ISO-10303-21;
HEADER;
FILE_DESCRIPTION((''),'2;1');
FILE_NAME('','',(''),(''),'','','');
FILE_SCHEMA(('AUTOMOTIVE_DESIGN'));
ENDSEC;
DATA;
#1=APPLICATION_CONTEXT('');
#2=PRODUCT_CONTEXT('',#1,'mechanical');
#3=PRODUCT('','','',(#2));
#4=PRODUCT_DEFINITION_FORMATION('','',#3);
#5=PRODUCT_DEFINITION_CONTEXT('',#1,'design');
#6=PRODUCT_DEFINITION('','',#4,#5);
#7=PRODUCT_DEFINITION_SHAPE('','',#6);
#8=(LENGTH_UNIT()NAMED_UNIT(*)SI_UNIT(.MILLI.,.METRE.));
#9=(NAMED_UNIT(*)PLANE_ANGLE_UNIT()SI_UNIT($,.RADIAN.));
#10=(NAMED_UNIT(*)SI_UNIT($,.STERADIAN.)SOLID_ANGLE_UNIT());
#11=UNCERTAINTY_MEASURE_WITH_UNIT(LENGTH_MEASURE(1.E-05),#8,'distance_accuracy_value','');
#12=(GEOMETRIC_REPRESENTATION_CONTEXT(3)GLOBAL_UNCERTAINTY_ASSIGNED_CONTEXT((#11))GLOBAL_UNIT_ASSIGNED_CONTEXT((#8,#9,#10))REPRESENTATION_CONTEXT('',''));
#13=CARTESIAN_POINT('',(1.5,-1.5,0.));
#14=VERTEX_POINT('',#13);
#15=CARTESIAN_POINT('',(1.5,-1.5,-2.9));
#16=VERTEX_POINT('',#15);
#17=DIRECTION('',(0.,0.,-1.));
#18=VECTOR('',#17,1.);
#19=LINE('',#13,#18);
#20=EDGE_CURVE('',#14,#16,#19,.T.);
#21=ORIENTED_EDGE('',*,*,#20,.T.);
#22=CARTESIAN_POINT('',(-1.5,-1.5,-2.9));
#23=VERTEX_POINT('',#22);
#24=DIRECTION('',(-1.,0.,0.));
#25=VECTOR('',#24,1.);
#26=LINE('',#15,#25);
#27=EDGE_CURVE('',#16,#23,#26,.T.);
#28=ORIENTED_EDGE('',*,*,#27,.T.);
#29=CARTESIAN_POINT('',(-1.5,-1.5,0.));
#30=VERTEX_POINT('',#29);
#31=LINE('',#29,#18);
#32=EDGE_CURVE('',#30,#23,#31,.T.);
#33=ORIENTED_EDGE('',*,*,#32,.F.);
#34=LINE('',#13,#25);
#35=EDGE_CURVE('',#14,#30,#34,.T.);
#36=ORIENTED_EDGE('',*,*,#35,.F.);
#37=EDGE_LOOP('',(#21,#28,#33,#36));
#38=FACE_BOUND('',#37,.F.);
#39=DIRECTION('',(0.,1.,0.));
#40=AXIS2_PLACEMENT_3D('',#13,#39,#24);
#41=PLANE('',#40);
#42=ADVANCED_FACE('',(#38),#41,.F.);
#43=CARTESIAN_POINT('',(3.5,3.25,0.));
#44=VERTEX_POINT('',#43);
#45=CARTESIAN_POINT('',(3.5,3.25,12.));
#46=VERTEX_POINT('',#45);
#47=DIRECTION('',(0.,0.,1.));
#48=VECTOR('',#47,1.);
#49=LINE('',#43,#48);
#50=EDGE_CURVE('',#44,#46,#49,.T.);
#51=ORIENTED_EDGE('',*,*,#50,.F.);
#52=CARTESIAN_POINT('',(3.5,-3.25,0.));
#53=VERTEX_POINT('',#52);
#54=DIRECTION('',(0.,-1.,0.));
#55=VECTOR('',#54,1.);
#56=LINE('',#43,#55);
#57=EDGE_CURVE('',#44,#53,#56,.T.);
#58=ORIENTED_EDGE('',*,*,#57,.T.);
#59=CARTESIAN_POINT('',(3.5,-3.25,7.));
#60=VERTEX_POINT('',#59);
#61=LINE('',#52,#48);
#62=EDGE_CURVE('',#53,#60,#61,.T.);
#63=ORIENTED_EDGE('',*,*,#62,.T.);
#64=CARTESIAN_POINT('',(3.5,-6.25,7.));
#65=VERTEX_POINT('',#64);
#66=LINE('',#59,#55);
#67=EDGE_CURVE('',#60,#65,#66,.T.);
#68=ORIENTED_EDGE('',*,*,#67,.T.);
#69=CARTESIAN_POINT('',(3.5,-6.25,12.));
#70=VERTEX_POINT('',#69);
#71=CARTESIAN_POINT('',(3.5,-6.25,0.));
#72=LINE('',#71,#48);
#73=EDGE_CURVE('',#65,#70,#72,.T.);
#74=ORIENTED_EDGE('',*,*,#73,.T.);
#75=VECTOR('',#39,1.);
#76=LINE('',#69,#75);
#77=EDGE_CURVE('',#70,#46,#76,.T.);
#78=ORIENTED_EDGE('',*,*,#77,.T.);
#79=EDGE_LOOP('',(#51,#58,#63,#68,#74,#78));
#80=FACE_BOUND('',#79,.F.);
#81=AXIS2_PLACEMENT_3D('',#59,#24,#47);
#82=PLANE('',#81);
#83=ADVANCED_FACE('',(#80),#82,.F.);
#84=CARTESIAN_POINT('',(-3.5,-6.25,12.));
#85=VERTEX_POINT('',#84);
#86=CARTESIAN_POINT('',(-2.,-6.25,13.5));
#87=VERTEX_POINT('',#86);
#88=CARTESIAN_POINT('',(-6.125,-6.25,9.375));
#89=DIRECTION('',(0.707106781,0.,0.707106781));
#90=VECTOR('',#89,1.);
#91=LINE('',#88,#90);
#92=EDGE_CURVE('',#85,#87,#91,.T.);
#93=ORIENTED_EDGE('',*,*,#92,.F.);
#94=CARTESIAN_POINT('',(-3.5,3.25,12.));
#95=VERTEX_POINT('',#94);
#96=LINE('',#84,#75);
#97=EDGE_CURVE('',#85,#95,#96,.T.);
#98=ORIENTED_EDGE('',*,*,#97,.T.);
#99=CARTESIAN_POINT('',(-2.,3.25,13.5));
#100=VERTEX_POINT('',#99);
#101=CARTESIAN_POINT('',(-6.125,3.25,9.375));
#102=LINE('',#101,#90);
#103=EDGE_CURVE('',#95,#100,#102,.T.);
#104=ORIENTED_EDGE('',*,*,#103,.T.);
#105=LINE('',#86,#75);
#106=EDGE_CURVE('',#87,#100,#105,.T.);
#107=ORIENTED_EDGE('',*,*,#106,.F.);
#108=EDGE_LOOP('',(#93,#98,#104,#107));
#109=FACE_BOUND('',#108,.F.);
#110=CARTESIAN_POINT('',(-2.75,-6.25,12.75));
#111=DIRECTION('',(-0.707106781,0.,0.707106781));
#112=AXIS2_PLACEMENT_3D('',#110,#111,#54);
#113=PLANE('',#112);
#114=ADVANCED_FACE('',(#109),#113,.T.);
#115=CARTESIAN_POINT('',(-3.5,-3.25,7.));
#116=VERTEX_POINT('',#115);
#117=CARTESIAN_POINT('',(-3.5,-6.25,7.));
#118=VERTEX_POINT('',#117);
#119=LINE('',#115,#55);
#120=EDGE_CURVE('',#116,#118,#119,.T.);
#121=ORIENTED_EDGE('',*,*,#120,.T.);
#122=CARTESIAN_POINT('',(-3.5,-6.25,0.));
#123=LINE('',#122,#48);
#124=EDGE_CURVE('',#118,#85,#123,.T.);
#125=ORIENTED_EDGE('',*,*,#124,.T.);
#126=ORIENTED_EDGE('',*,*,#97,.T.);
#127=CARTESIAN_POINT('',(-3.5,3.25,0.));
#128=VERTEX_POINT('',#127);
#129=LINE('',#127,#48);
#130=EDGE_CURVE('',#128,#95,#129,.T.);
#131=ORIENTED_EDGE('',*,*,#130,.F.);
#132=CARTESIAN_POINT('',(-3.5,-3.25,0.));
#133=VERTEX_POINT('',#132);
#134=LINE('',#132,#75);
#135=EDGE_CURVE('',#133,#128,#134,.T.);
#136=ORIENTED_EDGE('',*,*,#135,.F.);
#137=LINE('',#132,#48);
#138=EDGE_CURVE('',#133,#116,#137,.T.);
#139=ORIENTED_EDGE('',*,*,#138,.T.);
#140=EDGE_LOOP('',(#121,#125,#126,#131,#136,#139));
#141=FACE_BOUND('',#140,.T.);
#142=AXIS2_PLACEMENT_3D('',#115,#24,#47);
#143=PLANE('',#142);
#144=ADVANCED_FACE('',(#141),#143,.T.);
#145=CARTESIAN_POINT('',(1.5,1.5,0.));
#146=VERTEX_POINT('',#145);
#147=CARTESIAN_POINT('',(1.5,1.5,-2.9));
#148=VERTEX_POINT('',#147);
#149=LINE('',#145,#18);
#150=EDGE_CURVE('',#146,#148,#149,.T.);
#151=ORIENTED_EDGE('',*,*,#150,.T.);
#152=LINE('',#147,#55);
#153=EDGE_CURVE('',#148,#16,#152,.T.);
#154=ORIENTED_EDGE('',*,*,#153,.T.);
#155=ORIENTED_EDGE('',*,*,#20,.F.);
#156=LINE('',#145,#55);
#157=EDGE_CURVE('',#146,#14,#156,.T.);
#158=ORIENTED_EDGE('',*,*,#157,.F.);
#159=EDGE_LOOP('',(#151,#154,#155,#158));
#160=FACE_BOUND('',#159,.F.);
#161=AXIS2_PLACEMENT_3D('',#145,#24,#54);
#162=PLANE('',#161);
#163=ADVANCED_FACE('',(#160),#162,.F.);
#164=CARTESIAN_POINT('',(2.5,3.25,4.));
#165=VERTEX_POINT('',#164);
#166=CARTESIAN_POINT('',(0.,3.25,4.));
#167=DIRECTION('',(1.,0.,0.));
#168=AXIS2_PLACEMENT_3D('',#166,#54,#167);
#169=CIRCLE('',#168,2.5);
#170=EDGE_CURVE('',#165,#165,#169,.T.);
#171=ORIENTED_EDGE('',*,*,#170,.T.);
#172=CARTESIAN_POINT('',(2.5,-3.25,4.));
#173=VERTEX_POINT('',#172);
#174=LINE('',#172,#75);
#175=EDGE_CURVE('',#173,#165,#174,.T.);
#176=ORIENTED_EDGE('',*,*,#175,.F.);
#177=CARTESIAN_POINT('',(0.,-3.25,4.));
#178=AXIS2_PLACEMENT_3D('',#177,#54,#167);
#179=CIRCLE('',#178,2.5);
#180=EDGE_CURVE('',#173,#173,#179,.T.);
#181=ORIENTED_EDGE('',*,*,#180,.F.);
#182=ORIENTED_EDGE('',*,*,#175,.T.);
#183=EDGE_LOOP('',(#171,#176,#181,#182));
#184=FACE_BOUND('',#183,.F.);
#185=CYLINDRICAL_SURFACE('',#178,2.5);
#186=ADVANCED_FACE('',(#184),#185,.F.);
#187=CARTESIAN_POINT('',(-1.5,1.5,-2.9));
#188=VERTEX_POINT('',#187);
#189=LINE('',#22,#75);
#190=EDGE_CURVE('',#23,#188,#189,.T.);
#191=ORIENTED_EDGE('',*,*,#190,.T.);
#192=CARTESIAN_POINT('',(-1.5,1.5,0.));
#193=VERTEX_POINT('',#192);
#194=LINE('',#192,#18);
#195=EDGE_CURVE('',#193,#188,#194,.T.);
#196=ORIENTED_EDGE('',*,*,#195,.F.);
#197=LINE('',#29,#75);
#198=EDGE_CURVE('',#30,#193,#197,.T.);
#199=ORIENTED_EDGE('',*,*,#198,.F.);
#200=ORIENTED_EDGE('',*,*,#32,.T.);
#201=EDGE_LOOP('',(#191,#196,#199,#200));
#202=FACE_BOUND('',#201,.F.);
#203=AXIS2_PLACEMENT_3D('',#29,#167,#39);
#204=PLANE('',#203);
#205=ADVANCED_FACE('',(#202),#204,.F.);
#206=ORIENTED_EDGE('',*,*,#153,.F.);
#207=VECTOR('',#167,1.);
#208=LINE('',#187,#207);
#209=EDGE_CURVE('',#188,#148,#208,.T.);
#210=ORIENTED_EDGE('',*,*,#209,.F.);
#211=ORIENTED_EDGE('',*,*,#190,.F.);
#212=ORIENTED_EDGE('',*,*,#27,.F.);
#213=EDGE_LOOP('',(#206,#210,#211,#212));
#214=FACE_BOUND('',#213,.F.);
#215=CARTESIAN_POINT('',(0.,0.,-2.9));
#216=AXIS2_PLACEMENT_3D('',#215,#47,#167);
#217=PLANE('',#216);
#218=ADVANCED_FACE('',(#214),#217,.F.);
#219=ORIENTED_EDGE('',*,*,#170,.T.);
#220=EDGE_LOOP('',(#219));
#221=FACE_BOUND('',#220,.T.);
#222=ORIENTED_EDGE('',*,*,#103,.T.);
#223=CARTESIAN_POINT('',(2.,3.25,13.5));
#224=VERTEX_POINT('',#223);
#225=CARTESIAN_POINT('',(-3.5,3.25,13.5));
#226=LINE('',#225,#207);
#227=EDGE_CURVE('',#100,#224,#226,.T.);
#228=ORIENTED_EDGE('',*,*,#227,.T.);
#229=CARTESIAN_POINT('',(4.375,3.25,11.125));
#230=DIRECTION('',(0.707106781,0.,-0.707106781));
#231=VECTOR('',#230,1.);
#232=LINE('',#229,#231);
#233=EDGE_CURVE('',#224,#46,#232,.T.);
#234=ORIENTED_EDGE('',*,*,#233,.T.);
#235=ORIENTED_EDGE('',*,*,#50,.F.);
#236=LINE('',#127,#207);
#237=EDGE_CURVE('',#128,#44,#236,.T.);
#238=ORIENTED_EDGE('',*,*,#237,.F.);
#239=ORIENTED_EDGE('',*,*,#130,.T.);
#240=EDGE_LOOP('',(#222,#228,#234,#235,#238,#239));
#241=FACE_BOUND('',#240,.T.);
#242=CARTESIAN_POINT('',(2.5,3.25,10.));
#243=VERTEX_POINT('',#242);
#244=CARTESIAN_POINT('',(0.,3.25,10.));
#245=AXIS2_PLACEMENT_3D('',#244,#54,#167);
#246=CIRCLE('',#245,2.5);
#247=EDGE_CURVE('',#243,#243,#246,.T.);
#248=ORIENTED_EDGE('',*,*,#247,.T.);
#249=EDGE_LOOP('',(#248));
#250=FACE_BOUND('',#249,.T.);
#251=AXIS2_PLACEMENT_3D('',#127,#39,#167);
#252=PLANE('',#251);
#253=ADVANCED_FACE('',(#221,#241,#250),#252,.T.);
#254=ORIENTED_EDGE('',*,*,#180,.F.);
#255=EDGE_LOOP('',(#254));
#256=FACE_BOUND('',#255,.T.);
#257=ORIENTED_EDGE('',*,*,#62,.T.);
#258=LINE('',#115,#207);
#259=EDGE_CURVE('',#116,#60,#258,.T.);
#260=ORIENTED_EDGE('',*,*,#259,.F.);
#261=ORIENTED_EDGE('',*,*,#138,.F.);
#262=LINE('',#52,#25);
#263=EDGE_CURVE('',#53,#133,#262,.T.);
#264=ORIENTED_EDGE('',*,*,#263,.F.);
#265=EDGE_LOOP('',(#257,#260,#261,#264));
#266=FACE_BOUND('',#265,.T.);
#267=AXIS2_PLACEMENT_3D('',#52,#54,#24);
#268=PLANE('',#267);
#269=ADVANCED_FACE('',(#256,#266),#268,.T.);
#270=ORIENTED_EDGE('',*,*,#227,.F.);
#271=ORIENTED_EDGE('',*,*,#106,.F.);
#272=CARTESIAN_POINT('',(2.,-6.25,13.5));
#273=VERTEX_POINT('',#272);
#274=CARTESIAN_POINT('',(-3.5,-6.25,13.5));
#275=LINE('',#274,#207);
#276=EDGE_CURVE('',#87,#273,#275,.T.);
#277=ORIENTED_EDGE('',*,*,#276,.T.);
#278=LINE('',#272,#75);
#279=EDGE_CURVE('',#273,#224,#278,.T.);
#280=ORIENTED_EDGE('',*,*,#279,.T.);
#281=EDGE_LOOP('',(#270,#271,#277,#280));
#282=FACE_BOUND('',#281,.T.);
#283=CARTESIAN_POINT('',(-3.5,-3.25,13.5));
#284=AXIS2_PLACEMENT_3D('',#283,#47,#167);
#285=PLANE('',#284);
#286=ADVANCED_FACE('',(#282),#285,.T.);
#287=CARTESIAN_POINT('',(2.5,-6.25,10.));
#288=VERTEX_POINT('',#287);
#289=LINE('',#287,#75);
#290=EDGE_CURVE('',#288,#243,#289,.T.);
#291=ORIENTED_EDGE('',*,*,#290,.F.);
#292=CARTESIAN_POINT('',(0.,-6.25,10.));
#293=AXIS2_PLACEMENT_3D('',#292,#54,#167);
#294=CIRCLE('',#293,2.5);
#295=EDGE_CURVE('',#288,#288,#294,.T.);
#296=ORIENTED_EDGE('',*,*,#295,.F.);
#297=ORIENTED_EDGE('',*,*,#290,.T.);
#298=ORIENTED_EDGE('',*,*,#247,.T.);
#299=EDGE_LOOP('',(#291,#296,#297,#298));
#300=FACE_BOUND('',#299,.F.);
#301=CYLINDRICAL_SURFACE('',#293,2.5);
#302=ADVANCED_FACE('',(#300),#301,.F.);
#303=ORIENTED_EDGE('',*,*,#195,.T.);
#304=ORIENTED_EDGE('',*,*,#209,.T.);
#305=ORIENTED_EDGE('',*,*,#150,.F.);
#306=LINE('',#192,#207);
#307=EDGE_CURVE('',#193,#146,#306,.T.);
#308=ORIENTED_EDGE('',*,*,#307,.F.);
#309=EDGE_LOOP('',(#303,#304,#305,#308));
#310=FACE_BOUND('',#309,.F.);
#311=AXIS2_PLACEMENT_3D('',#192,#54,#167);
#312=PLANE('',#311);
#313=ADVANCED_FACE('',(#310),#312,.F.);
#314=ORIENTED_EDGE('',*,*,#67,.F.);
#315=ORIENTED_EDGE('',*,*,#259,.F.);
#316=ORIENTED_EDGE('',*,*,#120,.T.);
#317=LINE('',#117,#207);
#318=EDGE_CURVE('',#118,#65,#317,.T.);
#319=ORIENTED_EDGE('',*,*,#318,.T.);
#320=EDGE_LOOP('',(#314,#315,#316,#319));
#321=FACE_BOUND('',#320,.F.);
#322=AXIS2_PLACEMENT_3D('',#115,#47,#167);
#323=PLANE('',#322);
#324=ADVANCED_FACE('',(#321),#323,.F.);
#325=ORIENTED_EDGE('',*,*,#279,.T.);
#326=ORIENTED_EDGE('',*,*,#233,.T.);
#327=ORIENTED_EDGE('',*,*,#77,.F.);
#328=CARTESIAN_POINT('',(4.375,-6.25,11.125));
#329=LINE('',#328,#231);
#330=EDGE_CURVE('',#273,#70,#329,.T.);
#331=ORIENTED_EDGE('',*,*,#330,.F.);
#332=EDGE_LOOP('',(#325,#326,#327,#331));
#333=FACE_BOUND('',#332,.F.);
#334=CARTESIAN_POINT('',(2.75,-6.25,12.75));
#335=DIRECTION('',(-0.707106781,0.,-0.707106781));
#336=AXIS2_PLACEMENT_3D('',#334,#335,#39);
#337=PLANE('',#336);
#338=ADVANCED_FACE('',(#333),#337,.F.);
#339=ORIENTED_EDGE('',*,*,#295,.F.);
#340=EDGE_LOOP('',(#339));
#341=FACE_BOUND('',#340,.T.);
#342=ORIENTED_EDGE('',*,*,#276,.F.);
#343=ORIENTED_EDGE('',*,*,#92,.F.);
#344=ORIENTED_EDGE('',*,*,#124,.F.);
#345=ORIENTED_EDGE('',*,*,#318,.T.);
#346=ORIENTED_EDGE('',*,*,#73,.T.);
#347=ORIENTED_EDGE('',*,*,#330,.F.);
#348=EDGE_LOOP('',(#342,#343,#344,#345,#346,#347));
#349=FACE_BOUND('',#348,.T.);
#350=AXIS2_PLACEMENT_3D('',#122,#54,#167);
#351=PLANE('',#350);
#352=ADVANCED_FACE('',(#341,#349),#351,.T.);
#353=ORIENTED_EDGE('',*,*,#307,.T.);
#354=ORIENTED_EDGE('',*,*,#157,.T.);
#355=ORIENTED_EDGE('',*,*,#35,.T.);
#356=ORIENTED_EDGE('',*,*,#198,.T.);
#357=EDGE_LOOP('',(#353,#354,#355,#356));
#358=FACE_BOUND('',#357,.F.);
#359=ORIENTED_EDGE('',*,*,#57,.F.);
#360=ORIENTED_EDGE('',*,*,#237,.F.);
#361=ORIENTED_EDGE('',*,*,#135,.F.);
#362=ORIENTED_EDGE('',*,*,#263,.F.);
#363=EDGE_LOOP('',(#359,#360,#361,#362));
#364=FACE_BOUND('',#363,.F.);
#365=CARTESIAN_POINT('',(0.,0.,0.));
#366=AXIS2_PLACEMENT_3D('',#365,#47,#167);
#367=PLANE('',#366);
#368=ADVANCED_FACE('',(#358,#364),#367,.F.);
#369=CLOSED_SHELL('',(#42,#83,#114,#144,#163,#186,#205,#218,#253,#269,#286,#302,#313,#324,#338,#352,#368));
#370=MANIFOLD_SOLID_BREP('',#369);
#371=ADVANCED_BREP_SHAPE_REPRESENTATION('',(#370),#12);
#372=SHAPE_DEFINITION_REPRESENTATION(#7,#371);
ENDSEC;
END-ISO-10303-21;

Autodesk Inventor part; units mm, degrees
ref_plane "YZ Plane" through (0, 0, 0) normal (1, 0, 0) x (0, 1, 0)
ref_plane "XZ Plane" through (0, 0, 0) normal (0, 1, 0) x (-1, 0, 0)
ref_plane "XY Plane" through (0, 0, 0) normal (0, 0, 1) x (1, 0, 0)
sketch "スケッチ1" plane through (0, 0, 0) normal (0, 0, 1) x (1, 0, 0)
  line L0 (-3.5, 3.25) -> (3.5, 3.25)
  line L1 (3.5, 3.25) -> (3.5, -3.25)
  line L2 (3.5, -3.25) -> (-3.5, -3.25)
  line L3 (-3.5, -3.25) -> (-3.5, 3.25)
  line L4 (-3.5, 3.25) -> (3.5, -3.25) construction
  line L5 (3.5, 3.25) -> (-3.5, -3.25) construction
  line L6 (-2.5, 3.25) -> (-2.5, -3.25) construction
  line L7 (2.5, 3.25) -> (2.5, -3.25) construction
  line L8 (0, 0) -> (0, 0.4773) construction
  line L9 (0, 0) -> (0.5273, 0) construction
  line L10 (-1.5, 1.5) -> (1.5, 1.5)
  line L11 (1.5, 1.5) -> (1.5, -1.5)
  line L12 (1.5, -1.5) -> (-1.5, -1.5)
  line L13 (-1.5, -1.5) -> (-1.5, 1.5)
  line L14 (-1.5, 1.5) -> (1.5, -1.5) construction
  line L15 (1.5, 1.5) -> (-1.5, -1.5) construction
  circle A0 centre (0, 0) radius 0.8
  dimension "d0" = 7
  dimension "d1" = 6.5
  dimension "d2" = 5
  dimension "d22" = 3
  dimension "d23" = 3
  dimension "d24" = 1.6
extrude "押し出し1" add sketch "スケッチ1" along normal blind 13.5 contours L0 L1 L2 L3 | L10 L11 L12 L13 | A0
ref_plane "作業平面1" through (-3.5, -3.25, 0) normal (0, -1, 0) x (1, 0, 0)
sketch "スケッチ2" plane through (-3.5, -3.25, 0) normal (0, -1, 0) x (1, 0, 0)
  line L0 (0, 0) -> (7, 0) projected
  line L1 (7, 0) -> (7, 13.5) projected
  line L2 (0, 13.5) -> (7, 13.5) projected
  line L3 (0, 0) -> (0, 13.5) projected
  line L4 (0, 0) -> (0, 13.5) projected
  line L5 (7, 0) -> (7, 13.5) projected
  line L6 (0, 0) -> (7, 0) projected
  line L7 (0, 0) -> (0, 13.5) projected
  line L8 (0, 1.5) -> (7, 1.5) construction
  line L9 (0, 6.5) -> (7, 6.5) construction
  line L10 (7, 0) -> (7, 13.5) projected
  line L11 (0, 6.5) -> (7, 1.5) construction
  line L12 (7, 6.5) -> (0, 1.5) construction
  circle A0 centre (3.5, 4) radius 2.5
  line L13 (0, 7) -> (7, 7)
  line L14 (0, 7) -> (0, 13.5)
  line L15 (0, 13.5) -> (7, 13.5) projected
  line L16 (7, 13.5) -> (7, 7)
  line L17 (7, 13.5) -> (0, 13.5)
  point P0 (3.5, 0)
  point P1 (0, 7)
  point P2 (7, 7)
  dimension "d8" = 1.5
  dimension "d9" = 5
  dimension "d10" = 5
  dimension "d11" = 0.5
extrude "押し出し2" add sketch "スケッチ2" along normal blind 3 contours L3 L2 L1 L13
ref_plane "作業平面2" through (-3.5, -6.25, 0) normal (0, -1, 0) x (1, 0, 0)
sketch "スケッチ3" plane through (-3.5, -6.25, 0) normal (0, -1, 0) x (1, 0, 0)
  line L0 (7, 7) -> (7, 13.5) projected
  line L1 (7, 13.5) -> (0, 13.5) projected
  line L2 (0, 13.5) -> (0, 7) projected
  line L3 (0, 7) -> (7, 7) projected
  line L4 (0, 0) -> (0, 13.5) projected
  line L5 (7, 7) -> (7, 13.5) projected
  line L6 (0, 7) -> (7, 7) projected
  line L7 (0, 7.5) -> (7, 7.5) construction
  line L8 (7, 0) -> (7, 13.5) projected
  line L9 (0, 12.5) -> (7, 12.5) construction
  line L10 (0, 12.5) -> (7, 7.5) construction
  line L11 (7, 12.5) -> (0, 7.5) construction
  circle A0 centre (3.5, 10) radius 2.5
  point P0 (3.5, 0)
  dimension "d15" = 0.5
  dimension "d16" = 1
  dimension "d17" = 5
extrude "押し出し3" cut sketch "スケッチ3" against normal up to surface (9.5 mm away) contours A0
extrude "押し出し4" cut sketch "スケッチ2" against normal blind 10 contours A0
extrude "押し出し5" add sketch "スケッチ1" against normal blind 2.9 contours L10 L11 L12 L13 | A0
chamfer "面取り1" distance 1.5 angle 45 2 edges at (3.5, -1.5, 13.5) (-3.5, -1.5, 13.5)
properties part number "sensorholder_2"
